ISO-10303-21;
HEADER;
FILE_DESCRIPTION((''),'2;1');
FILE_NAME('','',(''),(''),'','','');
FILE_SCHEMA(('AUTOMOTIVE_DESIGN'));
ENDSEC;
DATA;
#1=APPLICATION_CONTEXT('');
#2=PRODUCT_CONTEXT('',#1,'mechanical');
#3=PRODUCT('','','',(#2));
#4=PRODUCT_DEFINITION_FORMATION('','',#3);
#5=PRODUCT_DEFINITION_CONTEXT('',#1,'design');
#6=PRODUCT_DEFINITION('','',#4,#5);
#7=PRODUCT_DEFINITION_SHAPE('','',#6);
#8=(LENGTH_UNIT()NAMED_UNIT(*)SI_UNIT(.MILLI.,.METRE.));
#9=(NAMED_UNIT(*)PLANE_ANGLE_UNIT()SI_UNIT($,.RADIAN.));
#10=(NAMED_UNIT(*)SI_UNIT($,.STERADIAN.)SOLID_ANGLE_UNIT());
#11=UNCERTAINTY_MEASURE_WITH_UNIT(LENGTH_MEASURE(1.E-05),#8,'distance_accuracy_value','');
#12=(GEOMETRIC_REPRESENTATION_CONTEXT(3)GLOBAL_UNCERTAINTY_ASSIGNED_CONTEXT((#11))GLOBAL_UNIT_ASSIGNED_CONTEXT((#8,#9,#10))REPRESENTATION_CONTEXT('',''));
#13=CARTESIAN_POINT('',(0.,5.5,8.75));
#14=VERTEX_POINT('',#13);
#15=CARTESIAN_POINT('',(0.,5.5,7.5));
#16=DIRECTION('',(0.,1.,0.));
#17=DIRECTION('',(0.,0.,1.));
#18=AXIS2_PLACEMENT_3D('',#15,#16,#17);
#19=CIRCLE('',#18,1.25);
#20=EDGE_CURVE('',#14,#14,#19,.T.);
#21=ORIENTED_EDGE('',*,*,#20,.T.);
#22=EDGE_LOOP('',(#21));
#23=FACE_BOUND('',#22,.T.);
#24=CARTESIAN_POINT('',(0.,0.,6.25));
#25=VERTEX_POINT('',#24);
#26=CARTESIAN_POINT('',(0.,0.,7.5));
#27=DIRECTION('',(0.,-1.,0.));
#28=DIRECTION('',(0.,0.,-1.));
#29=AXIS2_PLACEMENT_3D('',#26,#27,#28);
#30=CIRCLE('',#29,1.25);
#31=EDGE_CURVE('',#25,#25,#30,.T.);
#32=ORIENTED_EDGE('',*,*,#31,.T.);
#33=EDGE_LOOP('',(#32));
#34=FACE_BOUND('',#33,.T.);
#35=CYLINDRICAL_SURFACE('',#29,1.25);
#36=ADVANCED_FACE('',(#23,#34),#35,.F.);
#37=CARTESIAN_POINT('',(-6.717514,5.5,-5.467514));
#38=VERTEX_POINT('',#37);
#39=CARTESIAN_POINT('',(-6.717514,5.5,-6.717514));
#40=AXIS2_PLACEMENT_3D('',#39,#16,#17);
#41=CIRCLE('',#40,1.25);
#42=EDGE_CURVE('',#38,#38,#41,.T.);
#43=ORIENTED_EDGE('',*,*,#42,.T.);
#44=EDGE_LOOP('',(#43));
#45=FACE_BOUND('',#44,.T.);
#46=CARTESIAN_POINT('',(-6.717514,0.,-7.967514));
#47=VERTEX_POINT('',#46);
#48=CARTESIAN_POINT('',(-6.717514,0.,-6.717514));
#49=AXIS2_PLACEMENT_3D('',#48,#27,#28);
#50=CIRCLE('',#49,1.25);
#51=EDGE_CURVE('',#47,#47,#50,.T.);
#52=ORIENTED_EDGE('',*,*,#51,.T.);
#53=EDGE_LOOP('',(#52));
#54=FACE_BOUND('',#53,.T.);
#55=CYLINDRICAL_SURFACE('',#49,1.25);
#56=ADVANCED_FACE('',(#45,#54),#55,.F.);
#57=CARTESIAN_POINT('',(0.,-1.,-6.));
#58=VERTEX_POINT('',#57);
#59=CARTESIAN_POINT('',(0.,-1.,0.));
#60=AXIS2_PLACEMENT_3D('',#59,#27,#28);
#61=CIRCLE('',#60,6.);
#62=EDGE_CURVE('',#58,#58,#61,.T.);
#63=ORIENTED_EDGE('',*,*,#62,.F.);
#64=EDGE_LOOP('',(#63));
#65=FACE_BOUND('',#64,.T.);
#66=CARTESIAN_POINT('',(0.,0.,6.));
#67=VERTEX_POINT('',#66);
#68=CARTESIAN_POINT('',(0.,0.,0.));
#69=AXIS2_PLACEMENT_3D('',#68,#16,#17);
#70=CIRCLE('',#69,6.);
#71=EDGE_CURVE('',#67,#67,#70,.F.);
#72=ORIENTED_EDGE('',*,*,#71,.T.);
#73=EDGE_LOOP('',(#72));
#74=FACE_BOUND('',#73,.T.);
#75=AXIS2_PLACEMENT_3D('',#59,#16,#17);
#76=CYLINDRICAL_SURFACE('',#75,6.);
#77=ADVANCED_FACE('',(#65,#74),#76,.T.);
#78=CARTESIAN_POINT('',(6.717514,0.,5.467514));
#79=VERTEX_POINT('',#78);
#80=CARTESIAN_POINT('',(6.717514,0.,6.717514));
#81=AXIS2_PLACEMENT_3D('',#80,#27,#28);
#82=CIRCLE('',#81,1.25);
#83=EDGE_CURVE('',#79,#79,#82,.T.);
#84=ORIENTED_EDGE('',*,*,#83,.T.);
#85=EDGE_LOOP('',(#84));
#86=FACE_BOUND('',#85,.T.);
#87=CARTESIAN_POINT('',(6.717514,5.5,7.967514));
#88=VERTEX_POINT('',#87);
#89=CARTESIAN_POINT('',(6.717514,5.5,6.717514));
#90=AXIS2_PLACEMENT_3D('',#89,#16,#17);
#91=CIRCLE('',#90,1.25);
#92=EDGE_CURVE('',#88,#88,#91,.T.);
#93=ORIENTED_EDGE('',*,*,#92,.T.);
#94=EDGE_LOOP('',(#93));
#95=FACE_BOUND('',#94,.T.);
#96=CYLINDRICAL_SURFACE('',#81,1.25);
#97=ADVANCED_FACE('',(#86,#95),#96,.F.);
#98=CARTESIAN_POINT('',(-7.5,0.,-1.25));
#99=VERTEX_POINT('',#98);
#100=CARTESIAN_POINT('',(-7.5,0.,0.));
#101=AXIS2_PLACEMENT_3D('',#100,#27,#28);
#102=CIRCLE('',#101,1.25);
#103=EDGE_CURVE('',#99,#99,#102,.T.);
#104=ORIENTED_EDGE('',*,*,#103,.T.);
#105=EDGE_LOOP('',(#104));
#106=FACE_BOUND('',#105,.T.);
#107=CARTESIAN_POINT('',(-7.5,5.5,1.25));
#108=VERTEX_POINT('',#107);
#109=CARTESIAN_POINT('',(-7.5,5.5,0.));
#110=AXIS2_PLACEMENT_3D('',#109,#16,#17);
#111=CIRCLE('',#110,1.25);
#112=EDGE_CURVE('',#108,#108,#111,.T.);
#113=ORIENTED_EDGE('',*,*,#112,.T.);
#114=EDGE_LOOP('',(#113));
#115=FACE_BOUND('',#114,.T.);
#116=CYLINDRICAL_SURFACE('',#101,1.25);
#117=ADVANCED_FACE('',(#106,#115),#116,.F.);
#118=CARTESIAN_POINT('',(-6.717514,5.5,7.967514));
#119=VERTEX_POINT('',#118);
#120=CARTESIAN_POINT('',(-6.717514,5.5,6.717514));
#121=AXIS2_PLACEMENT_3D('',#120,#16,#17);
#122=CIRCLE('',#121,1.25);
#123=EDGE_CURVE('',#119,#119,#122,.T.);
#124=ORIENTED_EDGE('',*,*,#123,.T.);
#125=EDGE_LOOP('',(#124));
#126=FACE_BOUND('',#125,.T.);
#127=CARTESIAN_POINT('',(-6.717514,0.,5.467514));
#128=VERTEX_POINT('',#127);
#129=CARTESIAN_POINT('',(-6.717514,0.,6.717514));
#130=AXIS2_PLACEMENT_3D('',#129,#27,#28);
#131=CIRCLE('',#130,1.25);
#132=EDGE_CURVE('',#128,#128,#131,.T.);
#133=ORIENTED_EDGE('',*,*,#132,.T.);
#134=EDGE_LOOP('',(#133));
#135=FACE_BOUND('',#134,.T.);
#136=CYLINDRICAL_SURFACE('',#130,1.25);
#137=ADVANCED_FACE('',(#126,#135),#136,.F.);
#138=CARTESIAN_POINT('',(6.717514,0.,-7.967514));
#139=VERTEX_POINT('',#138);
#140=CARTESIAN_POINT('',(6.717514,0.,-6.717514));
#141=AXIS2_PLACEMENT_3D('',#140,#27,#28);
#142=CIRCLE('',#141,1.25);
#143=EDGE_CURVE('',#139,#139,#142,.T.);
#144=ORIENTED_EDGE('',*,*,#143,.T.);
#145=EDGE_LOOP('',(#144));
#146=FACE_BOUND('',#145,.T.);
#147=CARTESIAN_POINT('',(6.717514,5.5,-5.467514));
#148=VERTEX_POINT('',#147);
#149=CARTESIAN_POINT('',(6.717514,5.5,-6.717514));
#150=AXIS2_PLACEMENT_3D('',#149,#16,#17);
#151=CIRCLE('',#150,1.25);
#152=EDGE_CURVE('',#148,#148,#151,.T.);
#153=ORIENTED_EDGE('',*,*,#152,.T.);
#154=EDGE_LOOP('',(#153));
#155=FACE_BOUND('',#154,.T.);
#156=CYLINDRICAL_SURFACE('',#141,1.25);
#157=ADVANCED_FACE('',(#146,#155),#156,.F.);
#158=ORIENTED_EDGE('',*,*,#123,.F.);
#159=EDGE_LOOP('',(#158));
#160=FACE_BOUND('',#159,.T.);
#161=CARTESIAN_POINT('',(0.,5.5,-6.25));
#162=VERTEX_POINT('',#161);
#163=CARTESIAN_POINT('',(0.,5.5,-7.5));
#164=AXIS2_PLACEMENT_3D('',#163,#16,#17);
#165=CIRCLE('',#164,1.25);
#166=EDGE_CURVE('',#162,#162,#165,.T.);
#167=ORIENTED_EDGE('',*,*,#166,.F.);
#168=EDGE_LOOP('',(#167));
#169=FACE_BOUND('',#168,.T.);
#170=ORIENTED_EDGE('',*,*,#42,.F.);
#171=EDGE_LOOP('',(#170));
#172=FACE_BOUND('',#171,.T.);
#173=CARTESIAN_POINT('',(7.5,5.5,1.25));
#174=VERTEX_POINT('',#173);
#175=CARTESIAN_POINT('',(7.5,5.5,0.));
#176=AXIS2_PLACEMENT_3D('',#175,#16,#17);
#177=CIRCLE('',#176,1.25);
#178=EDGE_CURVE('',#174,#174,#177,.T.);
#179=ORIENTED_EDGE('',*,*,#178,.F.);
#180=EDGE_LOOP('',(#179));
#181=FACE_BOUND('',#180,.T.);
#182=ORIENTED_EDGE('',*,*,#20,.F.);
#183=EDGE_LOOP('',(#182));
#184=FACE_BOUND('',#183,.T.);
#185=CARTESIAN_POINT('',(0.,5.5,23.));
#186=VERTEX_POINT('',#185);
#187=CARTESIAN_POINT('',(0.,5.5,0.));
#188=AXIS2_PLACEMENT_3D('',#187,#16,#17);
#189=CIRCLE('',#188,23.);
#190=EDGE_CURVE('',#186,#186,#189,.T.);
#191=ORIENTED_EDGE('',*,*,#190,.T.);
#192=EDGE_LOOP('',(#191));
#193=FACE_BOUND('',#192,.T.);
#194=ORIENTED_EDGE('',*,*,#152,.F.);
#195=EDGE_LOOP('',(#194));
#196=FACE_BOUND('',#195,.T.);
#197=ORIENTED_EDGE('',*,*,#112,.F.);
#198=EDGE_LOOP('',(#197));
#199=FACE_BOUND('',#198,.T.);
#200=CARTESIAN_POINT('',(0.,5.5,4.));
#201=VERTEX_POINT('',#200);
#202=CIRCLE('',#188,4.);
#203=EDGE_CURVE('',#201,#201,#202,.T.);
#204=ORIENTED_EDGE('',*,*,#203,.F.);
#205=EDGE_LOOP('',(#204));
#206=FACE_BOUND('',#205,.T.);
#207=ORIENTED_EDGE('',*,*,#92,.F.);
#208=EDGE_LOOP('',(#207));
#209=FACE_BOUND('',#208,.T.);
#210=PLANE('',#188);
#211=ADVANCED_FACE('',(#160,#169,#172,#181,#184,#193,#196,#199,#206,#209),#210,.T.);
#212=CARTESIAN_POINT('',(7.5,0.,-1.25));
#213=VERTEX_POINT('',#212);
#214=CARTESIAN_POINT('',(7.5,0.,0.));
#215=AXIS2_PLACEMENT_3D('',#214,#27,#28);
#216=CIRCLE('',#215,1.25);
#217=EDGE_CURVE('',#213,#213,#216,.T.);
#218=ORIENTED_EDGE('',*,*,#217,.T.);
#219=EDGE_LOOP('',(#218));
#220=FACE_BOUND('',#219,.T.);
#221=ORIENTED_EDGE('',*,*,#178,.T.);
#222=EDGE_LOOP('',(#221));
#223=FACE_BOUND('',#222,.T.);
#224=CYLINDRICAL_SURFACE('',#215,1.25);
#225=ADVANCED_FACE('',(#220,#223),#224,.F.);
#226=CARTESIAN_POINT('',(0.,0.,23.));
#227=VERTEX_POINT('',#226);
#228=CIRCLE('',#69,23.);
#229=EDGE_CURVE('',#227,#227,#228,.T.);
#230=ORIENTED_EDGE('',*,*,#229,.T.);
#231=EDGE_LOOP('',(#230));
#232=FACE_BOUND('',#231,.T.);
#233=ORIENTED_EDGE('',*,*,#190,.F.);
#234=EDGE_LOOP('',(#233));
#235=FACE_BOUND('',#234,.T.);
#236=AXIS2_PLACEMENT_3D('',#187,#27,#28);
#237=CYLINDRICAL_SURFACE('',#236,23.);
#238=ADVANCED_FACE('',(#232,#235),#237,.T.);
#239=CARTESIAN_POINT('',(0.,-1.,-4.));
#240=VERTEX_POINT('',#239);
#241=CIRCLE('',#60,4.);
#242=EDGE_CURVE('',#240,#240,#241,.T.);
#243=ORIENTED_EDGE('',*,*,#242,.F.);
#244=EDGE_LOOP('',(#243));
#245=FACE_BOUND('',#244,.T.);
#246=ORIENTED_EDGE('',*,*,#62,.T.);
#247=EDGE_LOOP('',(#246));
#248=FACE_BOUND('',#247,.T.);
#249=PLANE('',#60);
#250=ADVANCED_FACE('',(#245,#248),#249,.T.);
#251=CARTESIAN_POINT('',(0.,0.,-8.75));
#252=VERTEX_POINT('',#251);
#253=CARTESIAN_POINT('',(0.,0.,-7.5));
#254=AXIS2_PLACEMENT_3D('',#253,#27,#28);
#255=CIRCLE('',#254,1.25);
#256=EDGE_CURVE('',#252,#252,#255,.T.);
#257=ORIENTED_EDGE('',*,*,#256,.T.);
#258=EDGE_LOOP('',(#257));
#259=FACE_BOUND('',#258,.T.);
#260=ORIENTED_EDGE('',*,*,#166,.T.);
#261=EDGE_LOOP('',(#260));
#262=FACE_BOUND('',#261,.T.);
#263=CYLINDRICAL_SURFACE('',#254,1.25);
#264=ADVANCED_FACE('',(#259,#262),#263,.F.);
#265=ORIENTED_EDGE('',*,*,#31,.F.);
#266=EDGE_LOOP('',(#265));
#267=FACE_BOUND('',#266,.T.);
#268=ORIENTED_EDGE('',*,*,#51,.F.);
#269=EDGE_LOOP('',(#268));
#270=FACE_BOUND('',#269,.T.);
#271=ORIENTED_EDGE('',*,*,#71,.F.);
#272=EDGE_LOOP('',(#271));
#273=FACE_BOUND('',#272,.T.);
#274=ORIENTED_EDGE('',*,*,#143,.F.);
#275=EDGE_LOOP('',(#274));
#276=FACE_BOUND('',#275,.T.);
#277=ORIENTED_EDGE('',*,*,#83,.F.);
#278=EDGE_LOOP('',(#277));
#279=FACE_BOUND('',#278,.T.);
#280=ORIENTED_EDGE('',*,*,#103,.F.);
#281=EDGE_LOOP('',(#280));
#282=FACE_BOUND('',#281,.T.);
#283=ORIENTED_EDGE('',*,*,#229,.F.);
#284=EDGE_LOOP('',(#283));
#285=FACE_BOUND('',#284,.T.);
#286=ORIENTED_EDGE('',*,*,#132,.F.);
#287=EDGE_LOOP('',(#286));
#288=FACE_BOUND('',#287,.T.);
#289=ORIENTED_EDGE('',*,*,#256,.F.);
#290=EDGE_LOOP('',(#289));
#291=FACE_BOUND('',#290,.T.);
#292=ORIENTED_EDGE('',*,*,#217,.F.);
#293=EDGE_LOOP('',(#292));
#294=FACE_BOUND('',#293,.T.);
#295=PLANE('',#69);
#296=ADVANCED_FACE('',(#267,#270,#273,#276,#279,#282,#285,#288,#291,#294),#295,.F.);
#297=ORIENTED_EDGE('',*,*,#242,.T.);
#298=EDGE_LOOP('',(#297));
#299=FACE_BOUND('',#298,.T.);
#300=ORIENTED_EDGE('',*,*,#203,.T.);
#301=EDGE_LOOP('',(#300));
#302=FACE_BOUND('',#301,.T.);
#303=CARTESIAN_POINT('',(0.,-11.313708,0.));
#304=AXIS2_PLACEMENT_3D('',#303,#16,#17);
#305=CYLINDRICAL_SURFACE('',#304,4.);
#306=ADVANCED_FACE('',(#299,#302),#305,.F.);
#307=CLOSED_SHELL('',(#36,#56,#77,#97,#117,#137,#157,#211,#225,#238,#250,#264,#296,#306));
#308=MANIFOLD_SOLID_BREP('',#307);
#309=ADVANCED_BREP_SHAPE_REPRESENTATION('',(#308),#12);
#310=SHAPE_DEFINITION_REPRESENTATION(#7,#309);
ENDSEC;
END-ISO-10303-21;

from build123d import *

# Parameters (mm, degrees)
SKETCH1_R                 = 23
BOSS_EXTRUDE1_DEPTH       = 5.5
SKETCH2_R                 = 4
CUT_EXTRUDE1_DEPTH        = 5.5
M3X0_5_TAPPED_HOLE1_D     = 2.5
M3X0_5_TAPPED_HOLE1_DEPTH = 6.5
M3X0_5_TAPPED_HOLE1_TIP   = 0.751075774
SKETCH6_R                 = 6
SKETCH6_R_2               = 4
BOSS_EXTRUDE2_DEPTH       = 1


with BuildPart() as part:
    # Sketch1 → Boss-Extrude1 (new body)
    with BuildSketch(Plane(origin=(0, 0, 0), x_dir=(1, 0, 0), z_dir=(0, 1, 0))):
        Circle(SKETCH1_R)
    extrude(amount=BOSS_EXTRUDE1_DEPTH)

    # Sketch2 → Cut-Extrude1 (cut)
    with BuildSketch(Plane(origin=(0, 5.5, 0), x_dir=(1, 0, 0), z_dir=(0, 1, 0))):
        Circle(SKETCH2_R)
    extrude(amount=-CUT_EXTRUDE1_DEPTH, mode=Mode.SUBTRACT)

    # M3x0.5 Tapped Hole1
    with Locations(Plane(origin=(0, 0, 0), x_dir=(-1, 0, 0), z_dir=(0, -1, 0))):
        with Locations((6.717514421, -6.717514421), (-7.5, 0), (0, 7.5), (7.5, 0), (0, -7.5), (-6.717514421, -6.717514421), (-6.717514421, 6.717514421), (6.717514421, 6.717514421)):
            Hole(M3X0_5_TAPPED_HOLE1_D / 2, depth=M3X0_5_TAPPED_HOLE1_DEPTH)
            with Locations((0, 0, -(M3X0_5_TAPPED_HOLE1_DEPTH + M3X0_5_TAPPED_HOLE1_TIP / 2))):  # 118° drill point
                Cone(0, M3X0_5_TAPPED_HOLE1_D / 2, M3X0_5_TAPPED_HOLE1_TIP, mode=Mode.SUBTRACT)

    # Sketch6 → Boss-Extrude2 (add)
    with BuildSketch(Plane.XZ):
        Circle(SKETCH6_R)
        Circle(SKETCH6_R_2, mode=Mode.SUBTRACT)
    extrude(amount=BOSS_EXTRUDE2_DEPTH)


solid = part.part
